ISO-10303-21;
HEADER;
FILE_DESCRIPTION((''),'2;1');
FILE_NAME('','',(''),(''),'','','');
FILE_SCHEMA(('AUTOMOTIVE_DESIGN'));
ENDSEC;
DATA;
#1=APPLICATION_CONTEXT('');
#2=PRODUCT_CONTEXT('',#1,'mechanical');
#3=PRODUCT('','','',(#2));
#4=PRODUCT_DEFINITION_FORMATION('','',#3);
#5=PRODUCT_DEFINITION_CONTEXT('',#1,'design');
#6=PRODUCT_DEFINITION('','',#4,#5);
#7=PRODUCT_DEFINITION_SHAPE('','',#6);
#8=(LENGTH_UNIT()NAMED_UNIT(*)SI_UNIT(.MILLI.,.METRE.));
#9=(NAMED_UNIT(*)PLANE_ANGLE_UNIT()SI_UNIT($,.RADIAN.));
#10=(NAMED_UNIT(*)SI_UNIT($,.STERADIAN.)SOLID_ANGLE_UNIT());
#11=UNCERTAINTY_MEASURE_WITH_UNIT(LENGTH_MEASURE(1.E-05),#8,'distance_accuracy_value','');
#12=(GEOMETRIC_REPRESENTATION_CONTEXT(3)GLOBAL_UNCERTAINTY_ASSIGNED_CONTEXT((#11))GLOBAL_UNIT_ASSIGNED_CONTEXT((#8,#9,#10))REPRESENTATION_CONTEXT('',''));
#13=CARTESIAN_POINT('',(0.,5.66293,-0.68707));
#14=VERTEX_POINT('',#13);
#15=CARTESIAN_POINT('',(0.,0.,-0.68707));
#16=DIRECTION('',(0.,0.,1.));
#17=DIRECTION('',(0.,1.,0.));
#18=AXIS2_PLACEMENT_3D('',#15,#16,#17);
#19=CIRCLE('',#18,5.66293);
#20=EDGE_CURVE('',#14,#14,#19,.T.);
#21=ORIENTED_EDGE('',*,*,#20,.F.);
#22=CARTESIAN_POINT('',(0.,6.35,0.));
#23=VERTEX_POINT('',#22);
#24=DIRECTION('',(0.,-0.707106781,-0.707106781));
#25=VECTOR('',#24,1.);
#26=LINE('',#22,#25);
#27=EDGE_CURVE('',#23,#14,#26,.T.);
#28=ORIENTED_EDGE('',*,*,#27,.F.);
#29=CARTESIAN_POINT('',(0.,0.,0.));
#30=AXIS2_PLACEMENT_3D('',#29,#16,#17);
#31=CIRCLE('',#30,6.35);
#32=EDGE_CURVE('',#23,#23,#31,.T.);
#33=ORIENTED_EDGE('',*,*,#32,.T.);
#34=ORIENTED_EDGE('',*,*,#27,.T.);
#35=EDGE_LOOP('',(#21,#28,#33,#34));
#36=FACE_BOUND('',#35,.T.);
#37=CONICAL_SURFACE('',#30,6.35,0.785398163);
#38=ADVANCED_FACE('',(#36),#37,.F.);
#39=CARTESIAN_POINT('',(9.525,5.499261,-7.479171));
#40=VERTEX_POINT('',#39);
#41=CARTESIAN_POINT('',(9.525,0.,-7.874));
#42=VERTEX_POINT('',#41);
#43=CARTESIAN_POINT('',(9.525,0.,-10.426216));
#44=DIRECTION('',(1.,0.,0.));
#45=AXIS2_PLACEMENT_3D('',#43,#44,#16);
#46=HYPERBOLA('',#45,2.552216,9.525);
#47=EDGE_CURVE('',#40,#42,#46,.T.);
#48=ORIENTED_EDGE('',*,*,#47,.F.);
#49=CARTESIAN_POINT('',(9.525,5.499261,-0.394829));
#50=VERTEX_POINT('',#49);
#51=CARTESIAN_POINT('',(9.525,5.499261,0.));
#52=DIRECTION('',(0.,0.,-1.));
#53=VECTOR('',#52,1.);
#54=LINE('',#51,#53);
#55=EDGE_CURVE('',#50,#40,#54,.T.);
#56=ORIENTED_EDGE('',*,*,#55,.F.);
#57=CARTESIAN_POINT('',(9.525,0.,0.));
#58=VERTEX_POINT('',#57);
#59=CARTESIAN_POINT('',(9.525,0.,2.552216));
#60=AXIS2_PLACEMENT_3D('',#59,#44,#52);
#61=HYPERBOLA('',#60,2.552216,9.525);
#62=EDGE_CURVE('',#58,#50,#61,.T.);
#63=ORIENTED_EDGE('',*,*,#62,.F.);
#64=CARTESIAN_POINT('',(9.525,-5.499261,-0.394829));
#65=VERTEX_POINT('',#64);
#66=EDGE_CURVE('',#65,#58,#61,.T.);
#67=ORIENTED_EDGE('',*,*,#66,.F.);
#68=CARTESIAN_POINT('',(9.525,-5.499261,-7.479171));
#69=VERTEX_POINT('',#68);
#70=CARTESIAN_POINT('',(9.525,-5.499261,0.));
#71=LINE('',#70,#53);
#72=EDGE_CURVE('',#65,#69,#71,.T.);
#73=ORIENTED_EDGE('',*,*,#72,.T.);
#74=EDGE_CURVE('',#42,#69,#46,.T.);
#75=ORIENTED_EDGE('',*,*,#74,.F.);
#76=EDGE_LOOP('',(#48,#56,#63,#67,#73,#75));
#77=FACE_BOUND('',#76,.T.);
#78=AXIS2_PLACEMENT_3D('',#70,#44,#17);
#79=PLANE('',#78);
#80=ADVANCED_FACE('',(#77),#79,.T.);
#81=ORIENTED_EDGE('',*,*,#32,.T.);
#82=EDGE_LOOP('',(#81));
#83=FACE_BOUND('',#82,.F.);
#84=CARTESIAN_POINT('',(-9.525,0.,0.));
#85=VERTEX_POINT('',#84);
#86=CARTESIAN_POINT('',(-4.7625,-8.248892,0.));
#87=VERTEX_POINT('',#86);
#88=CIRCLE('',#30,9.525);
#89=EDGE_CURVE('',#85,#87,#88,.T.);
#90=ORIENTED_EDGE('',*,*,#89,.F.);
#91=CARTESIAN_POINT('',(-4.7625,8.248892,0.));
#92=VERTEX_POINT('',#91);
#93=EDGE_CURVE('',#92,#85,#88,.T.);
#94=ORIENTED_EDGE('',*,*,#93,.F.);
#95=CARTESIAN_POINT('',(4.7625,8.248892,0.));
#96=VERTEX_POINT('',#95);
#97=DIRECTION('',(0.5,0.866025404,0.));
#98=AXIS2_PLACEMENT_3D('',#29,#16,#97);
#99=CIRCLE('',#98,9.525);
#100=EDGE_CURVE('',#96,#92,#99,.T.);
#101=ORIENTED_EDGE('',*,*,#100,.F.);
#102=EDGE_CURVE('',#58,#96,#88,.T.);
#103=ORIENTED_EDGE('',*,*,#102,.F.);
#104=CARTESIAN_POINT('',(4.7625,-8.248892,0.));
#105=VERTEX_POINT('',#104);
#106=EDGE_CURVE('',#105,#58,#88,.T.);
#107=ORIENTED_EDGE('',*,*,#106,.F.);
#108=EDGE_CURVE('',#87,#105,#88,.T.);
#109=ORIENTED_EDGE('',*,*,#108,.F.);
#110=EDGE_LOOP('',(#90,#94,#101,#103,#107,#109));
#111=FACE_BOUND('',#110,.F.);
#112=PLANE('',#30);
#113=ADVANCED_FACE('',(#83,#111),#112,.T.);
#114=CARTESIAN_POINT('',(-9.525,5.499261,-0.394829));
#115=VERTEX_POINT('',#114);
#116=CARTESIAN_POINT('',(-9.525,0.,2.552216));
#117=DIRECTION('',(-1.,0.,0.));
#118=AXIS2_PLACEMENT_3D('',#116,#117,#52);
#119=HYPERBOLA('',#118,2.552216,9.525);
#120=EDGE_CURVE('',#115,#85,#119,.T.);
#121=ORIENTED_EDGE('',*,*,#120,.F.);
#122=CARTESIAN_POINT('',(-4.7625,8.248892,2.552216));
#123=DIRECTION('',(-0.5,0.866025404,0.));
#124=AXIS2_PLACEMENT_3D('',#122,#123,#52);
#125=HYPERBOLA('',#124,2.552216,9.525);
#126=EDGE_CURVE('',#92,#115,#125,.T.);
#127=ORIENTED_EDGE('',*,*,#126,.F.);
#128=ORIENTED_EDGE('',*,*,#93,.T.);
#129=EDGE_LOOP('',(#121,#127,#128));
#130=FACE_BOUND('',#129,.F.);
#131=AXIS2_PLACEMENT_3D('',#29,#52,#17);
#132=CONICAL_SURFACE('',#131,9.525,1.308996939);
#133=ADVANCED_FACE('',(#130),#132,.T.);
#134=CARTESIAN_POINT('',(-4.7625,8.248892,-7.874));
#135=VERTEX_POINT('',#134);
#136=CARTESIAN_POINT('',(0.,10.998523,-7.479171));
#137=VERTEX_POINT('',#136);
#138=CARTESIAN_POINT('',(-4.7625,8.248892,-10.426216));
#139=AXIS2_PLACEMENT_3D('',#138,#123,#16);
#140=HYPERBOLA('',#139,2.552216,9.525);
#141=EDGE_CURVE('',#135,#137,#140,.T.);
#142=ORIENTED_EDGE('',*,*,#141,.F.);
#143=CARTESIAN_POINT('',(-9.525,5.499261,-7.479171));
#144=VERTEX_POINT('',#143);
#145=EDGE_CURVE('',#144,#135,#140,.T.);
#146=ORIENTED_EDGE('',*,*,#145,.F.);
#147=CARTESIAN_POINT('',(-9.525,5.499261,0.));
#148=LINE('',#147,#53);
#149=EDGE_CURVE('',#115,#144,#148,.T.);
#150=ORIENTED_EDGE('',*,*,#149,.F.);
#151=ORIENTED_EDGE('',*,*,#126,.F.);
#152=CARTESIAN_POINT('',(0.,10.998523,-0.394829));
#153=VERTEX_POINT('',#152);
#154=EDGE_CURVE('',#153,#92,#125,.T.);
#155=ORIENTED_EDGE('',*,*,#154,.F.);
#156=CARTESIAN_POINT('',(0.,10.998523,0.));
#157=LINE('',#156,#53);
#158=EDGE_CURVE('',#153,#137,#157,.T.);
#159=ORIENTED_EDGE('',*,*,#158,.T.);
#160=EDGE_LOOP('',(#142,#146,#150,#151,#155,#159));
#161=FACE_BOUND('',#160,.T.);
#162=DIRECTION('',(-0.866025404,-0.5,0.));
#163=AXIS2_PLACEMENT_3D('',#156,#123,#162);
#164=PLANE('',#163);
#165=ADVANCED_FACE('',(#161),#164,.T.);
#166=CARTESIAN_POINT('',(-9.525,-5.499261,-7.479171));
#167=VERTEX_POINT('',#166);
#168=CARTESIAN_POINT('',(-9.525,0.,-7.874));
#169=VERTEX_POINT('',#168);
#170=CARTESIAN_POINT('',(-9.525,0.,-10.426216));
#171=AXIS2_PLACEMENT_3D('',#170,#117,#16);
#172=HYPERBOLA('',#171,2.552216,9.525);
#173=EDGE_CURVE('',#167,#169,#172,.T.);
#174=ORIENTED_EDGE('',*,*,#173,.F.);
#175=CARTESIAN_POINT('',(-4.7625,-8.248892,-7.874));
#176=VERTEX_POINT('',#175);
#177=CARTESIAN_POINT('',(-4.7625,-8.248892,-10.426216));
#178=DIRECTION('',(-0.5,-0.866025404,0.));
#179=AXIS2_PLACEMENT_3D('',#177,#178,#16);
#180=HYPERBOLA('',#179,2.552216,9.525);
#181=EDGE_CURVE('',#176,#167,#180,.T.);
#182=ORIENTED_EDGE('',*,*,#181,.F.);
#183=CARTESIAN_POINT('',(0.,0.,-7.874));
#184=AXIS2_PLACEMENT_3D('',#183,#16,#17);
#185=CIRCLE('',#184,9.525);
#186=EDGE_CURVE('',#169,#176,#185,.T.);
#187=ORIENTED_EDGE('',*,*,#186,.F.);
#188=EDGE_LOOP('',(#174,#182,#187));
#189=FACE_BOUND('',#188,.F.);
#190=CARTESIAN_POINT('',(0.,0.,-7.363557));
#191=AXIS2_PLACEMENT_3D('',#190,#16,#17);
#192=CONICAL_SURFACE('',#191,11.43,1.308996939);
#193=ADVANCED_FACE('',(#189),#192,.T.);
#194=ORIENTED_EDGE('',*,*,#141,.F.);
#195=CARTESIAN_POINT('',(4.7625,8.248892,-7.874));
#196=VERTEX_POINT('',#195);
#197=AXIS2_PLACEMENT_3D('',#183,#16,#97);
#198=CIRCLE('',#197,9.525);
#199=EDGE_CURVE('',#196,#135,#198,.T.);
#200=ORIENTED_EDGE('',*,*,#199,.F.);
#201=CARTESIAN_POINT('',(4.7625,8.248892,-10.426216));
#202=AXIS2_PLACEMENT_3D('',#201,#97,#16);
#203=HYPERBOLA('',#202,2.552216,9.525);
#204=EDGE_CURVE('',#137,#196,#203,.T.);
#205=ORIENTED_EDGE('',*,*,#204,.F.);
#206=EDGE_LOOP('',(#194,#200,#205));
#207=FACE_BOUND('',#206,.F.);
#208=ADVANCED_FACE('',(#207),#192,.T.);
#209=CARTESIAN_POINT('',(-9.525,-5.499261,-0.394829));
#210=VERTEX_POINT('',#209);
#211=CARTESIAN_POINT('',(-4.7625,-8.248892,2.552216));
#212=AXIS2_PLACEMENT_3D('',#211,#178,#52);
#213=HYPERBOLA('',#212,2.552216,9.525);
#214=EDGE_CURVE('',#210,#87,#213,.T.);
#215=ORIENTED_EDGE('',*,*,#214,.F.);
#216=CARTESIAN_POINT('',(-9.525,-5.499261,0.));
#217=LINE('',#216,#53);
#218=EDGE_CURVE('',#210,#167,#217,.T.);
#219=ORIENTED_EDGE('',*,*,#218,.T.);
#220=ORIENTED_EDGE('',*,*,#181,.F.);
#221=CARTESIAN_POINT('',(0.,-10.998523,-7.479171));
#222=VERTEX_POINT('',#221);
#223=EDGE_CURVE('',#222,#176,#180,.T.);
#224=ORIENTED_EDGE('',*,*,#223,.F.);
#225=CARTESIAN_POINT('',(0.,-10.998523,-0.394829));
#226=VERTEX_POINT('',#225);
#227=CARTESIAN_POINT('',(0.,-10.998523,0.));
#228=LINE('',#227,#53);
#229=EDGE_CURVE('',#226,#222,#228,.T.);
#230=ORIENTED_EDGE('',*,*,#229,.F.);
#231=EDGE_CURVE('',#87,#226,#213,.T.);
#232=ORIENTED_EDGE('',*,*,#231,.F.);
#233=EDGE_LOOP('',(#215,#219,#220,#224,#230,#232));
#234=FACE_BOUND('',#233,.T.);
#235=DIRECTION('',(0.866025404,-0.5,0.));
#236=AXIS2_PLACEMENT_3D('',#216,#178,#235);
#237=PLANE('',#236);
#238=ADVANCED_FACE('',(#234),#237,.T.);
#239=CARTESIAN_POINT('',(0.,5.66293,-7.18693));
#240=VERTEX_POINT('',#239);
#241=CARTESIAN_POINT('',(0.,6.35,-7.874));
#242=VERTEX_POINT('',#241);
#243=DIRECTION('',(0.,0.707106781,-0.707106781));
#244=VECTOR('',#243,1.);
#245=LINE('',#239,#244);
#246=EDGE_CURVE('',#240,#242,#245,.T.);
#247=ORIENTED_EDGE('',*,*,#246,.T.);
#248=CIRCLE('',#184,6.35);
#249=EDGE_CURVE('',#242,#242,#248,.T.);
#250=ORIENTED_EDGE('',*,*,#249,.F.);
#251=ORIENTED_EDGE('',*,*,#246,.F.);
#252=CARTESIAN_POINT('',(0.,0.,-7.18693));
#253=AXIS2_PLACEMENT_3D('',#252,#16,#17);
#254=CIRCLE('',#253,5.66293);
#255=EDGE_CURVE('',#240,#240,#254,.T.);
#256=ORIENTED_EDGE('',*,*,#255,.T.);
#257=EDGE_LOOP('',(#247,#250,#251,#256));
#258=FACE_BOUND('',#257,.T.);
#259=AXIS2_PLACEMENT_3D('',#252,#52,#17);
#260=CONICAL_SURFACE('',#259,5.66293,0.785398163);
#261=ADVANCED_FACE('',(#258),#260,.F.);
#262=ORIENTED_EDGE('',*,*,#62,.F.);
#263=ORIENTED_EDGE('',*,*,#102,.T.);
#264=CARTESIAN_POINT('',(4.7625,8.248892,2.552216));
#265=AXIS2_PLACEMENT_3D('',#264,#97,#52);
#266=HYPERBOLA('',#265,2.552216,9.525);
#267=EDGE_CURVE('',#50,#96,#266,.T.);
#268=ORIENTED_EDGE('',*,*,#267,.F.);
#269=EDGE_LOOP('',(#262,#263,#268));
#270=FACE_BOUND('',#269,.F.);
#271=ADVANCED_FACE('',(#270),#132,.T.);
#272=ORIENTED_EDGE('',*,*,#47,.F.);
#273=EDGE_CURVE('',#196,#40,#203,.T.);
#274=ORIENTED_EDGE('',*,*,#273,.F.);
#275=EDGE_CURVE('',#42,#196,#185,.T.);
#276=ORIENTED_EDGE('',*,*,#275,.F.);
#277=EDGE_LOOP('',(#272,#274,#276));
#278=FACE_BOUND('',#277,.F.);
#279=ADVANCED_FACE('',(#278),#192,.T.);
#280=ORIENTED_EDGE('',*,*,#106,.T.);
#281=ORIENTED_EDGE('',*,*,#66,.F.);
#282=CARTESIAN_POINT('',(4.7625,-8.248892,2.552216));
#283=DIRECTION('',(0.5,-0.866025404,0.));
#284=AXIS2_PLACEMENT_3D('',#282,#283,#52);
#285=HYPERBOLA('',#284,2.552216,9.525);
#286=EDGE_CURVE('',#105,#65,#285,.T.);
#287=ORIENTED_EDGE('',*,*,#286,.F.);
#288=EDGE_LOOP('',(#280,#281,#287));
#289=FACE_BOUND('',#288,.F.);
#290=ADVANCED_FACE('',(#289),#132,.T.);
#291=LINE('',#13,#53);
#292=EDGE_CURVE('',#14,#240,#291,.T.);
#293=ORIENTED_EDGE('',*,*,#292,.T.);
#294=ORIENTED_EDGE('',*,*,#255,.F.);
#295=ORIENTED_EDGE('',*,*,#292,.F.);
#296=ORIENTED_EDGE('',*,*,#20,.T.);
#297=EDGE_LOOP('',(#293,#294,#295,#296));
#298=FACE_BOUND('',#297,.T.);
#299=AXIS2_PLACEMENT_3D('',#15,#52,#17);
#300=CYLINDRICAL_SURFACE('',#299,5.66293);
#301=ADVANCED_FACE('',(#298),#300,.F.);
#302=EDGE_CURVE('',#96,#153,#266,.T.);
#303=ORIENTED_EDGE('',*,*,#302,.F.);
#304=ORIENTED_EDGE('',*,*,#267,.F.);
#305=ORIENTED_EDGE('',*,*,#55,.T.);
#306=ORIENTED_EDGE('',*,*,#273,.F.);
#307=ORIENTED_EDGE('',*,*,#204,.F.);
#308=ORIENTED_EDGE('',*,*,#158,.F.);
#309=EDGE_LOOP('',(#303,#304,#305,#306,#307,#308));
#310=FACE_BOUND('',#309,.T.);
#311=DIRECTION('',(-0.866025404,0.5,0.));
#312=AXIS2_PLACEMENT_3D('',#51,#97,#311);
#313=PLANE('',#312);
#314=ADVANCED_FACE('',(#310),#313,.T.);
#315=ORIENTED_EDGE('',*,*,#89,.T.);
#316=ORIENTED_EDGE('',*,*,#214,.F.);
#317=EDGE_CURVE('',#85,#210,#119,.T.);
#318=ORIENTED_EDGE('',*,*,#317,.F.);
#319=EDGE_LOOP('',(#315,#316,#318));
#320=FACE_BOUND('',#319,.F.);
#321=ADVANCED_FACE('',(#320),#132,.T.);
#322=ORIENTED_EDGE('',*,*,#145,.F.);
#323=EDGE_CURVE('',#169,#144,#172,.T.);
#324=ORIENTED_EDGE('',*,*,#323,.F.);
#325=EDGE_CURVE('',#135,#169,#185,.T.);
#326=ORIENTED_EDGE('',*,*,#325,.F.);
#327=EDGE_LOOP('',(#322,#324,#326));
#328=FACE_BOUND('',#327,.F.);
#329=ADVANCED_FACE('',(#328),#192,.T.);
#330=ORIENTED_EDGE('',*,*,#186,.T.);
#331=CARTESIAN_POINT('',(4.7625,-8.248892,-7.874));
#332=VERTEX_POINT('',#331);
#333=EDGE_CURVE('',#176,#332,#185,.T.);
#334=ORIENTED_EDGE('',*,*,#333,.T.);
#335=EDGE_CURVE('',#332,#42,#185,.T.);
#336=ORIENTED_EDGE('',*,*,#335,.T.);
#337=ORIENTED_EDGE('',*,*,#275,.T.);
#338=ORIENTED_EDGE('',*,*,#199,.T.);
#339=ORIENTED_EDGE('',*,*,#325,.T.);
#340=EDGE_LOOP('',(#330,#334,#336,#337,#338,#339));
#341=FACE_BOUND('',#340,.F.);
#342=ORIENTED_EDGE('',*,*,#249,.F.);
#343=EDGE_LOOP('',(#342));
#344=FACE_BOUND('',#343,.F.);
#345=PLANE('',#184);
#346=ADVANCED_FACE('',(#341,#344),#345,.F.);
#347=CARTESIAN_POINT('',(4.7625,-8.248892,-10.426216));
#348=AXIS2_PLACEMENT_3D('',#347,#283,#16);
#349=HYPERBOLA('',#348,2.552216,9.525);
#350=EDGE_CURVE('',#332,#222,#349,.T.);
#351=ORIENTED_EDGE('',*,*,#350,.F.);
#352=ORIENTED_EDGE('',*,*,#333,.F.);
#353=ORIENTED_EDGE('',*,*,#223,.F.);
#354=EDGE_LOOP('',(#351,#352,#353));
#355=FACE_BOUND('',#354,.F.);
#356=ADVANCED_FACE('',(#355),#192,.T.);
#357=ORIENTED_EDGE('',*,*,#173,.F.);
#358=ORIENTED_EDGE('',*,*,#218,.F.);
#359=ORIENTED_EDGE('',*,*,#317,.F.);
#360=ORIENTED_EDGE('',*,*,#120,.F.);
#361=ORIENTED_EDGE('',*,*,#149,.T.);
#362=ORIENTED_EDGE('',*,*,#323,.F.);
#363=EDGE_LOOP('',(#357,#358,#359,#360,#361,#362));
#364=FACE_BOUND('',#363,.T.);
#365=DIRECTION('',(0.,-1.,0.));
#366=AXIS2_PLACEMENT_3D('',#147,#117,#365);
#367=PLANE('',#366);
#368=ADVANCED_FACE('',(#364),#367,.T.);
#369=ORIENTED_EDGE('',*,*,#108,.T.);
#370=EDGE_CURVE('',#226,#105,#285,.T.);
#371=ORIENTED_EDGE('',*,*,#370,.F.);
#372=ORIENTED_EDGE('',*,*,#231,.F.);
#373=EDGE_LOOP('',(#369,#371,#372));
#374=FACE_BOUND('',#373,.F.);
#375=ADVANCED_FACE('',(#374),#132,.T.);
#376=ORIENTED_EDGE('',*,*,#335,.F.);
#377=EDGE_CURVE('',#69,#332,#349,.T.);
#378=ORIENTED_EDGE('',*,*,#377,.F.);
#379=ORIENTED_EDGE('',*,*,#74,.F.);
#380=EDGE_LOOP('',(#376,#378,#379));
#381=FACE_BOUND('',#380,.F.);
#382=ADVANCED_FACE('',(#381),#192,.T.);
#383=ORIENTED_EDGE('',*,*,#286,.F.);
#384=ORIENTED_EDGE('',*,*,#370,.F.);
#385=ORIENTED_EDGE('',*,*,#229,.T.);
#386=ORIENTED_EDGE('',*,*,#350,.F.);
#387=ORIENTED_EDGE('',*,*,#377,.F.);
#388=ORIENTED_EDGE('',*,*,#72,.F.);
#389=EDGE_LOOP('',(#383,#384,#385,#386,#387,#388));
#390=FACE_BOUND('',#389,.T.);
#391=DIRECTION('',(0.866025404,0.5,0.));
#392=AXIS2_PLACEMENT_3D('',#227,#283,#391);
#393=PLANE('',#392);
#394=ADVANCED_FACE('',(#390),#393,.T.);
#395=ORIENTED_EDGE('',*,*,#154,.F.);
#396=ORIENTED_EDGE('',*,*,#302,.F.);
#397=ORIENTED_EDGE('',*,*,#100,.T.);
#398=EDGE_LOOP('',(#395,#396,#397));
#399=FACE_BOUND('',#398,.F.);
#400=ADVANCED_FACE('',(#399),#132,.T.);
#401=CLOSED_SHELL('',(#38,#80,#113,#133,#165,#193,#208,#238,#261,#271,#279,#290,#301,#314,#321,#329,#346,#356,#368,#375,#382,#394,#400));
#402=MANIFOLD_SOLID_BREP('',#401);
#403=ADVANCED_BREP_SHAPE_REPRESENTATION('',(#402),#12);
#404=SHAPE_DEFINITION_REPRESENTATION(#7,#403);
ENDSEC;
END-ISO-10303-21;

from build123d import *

# Parameters (mm, degrees)
SKETCH2_W          = 38.1
SKETCH2_H          = 38.1
CUT_EXTRUDE1_DEPTH = 7.874


with BuildPart() as part:
    # Sketch1 → Revolve1 (revolve)
    with BuildSketch(Plane(origin=(0, 0, 0), x_dir=(0, 0, -1), z_dir=(1, 0, 0))):
        Polygon((0, 0), (0, 9.525), (0.510443212, 11.43), (7.363556788, 11.43), (7.874, 9.525), (7.874, 0), align=None)
    revolve(axis=Axis((0, 0, -7.874), (0, 0, 1)))

    # Sketch2 → Cut-Extrude1 (cut)
    with BuildSketch(Plane.XY):
        Rectangle(SKETCH2_W, SKETCH2_H)
        Polygon((-9.525, 5.499261314), (-9.525, -5.499261314), (0, -10.998522628), (9.525, -5.499261314), (9.525, 5.499261314), (0, 10.998522628), align=None, mode=Mode.SUBTRACT)
    extrude(amount=-CUT_EXTRUDE1_DEPTH, mode=Mode.SUBTRACT)

    # Sketch3 → Cut-Revolve1 (revolve, cut)
    with BuildSketch(Plane(origin=(0, 0, 0), x_dir=(0, 0, -1), z_dir=(1, 0, 0))):
        Polygon((0, 0), (0, 6.35), (0.68707, 5.66293), (7.18693, 5.66293), (7.874, 6.35), (7.874, 0), align=None)
    revolve(axis=Axis((0, 0, -7.874), (0, 0, 1)), mode=Mode.SUBTRACT)


solid = part.part
